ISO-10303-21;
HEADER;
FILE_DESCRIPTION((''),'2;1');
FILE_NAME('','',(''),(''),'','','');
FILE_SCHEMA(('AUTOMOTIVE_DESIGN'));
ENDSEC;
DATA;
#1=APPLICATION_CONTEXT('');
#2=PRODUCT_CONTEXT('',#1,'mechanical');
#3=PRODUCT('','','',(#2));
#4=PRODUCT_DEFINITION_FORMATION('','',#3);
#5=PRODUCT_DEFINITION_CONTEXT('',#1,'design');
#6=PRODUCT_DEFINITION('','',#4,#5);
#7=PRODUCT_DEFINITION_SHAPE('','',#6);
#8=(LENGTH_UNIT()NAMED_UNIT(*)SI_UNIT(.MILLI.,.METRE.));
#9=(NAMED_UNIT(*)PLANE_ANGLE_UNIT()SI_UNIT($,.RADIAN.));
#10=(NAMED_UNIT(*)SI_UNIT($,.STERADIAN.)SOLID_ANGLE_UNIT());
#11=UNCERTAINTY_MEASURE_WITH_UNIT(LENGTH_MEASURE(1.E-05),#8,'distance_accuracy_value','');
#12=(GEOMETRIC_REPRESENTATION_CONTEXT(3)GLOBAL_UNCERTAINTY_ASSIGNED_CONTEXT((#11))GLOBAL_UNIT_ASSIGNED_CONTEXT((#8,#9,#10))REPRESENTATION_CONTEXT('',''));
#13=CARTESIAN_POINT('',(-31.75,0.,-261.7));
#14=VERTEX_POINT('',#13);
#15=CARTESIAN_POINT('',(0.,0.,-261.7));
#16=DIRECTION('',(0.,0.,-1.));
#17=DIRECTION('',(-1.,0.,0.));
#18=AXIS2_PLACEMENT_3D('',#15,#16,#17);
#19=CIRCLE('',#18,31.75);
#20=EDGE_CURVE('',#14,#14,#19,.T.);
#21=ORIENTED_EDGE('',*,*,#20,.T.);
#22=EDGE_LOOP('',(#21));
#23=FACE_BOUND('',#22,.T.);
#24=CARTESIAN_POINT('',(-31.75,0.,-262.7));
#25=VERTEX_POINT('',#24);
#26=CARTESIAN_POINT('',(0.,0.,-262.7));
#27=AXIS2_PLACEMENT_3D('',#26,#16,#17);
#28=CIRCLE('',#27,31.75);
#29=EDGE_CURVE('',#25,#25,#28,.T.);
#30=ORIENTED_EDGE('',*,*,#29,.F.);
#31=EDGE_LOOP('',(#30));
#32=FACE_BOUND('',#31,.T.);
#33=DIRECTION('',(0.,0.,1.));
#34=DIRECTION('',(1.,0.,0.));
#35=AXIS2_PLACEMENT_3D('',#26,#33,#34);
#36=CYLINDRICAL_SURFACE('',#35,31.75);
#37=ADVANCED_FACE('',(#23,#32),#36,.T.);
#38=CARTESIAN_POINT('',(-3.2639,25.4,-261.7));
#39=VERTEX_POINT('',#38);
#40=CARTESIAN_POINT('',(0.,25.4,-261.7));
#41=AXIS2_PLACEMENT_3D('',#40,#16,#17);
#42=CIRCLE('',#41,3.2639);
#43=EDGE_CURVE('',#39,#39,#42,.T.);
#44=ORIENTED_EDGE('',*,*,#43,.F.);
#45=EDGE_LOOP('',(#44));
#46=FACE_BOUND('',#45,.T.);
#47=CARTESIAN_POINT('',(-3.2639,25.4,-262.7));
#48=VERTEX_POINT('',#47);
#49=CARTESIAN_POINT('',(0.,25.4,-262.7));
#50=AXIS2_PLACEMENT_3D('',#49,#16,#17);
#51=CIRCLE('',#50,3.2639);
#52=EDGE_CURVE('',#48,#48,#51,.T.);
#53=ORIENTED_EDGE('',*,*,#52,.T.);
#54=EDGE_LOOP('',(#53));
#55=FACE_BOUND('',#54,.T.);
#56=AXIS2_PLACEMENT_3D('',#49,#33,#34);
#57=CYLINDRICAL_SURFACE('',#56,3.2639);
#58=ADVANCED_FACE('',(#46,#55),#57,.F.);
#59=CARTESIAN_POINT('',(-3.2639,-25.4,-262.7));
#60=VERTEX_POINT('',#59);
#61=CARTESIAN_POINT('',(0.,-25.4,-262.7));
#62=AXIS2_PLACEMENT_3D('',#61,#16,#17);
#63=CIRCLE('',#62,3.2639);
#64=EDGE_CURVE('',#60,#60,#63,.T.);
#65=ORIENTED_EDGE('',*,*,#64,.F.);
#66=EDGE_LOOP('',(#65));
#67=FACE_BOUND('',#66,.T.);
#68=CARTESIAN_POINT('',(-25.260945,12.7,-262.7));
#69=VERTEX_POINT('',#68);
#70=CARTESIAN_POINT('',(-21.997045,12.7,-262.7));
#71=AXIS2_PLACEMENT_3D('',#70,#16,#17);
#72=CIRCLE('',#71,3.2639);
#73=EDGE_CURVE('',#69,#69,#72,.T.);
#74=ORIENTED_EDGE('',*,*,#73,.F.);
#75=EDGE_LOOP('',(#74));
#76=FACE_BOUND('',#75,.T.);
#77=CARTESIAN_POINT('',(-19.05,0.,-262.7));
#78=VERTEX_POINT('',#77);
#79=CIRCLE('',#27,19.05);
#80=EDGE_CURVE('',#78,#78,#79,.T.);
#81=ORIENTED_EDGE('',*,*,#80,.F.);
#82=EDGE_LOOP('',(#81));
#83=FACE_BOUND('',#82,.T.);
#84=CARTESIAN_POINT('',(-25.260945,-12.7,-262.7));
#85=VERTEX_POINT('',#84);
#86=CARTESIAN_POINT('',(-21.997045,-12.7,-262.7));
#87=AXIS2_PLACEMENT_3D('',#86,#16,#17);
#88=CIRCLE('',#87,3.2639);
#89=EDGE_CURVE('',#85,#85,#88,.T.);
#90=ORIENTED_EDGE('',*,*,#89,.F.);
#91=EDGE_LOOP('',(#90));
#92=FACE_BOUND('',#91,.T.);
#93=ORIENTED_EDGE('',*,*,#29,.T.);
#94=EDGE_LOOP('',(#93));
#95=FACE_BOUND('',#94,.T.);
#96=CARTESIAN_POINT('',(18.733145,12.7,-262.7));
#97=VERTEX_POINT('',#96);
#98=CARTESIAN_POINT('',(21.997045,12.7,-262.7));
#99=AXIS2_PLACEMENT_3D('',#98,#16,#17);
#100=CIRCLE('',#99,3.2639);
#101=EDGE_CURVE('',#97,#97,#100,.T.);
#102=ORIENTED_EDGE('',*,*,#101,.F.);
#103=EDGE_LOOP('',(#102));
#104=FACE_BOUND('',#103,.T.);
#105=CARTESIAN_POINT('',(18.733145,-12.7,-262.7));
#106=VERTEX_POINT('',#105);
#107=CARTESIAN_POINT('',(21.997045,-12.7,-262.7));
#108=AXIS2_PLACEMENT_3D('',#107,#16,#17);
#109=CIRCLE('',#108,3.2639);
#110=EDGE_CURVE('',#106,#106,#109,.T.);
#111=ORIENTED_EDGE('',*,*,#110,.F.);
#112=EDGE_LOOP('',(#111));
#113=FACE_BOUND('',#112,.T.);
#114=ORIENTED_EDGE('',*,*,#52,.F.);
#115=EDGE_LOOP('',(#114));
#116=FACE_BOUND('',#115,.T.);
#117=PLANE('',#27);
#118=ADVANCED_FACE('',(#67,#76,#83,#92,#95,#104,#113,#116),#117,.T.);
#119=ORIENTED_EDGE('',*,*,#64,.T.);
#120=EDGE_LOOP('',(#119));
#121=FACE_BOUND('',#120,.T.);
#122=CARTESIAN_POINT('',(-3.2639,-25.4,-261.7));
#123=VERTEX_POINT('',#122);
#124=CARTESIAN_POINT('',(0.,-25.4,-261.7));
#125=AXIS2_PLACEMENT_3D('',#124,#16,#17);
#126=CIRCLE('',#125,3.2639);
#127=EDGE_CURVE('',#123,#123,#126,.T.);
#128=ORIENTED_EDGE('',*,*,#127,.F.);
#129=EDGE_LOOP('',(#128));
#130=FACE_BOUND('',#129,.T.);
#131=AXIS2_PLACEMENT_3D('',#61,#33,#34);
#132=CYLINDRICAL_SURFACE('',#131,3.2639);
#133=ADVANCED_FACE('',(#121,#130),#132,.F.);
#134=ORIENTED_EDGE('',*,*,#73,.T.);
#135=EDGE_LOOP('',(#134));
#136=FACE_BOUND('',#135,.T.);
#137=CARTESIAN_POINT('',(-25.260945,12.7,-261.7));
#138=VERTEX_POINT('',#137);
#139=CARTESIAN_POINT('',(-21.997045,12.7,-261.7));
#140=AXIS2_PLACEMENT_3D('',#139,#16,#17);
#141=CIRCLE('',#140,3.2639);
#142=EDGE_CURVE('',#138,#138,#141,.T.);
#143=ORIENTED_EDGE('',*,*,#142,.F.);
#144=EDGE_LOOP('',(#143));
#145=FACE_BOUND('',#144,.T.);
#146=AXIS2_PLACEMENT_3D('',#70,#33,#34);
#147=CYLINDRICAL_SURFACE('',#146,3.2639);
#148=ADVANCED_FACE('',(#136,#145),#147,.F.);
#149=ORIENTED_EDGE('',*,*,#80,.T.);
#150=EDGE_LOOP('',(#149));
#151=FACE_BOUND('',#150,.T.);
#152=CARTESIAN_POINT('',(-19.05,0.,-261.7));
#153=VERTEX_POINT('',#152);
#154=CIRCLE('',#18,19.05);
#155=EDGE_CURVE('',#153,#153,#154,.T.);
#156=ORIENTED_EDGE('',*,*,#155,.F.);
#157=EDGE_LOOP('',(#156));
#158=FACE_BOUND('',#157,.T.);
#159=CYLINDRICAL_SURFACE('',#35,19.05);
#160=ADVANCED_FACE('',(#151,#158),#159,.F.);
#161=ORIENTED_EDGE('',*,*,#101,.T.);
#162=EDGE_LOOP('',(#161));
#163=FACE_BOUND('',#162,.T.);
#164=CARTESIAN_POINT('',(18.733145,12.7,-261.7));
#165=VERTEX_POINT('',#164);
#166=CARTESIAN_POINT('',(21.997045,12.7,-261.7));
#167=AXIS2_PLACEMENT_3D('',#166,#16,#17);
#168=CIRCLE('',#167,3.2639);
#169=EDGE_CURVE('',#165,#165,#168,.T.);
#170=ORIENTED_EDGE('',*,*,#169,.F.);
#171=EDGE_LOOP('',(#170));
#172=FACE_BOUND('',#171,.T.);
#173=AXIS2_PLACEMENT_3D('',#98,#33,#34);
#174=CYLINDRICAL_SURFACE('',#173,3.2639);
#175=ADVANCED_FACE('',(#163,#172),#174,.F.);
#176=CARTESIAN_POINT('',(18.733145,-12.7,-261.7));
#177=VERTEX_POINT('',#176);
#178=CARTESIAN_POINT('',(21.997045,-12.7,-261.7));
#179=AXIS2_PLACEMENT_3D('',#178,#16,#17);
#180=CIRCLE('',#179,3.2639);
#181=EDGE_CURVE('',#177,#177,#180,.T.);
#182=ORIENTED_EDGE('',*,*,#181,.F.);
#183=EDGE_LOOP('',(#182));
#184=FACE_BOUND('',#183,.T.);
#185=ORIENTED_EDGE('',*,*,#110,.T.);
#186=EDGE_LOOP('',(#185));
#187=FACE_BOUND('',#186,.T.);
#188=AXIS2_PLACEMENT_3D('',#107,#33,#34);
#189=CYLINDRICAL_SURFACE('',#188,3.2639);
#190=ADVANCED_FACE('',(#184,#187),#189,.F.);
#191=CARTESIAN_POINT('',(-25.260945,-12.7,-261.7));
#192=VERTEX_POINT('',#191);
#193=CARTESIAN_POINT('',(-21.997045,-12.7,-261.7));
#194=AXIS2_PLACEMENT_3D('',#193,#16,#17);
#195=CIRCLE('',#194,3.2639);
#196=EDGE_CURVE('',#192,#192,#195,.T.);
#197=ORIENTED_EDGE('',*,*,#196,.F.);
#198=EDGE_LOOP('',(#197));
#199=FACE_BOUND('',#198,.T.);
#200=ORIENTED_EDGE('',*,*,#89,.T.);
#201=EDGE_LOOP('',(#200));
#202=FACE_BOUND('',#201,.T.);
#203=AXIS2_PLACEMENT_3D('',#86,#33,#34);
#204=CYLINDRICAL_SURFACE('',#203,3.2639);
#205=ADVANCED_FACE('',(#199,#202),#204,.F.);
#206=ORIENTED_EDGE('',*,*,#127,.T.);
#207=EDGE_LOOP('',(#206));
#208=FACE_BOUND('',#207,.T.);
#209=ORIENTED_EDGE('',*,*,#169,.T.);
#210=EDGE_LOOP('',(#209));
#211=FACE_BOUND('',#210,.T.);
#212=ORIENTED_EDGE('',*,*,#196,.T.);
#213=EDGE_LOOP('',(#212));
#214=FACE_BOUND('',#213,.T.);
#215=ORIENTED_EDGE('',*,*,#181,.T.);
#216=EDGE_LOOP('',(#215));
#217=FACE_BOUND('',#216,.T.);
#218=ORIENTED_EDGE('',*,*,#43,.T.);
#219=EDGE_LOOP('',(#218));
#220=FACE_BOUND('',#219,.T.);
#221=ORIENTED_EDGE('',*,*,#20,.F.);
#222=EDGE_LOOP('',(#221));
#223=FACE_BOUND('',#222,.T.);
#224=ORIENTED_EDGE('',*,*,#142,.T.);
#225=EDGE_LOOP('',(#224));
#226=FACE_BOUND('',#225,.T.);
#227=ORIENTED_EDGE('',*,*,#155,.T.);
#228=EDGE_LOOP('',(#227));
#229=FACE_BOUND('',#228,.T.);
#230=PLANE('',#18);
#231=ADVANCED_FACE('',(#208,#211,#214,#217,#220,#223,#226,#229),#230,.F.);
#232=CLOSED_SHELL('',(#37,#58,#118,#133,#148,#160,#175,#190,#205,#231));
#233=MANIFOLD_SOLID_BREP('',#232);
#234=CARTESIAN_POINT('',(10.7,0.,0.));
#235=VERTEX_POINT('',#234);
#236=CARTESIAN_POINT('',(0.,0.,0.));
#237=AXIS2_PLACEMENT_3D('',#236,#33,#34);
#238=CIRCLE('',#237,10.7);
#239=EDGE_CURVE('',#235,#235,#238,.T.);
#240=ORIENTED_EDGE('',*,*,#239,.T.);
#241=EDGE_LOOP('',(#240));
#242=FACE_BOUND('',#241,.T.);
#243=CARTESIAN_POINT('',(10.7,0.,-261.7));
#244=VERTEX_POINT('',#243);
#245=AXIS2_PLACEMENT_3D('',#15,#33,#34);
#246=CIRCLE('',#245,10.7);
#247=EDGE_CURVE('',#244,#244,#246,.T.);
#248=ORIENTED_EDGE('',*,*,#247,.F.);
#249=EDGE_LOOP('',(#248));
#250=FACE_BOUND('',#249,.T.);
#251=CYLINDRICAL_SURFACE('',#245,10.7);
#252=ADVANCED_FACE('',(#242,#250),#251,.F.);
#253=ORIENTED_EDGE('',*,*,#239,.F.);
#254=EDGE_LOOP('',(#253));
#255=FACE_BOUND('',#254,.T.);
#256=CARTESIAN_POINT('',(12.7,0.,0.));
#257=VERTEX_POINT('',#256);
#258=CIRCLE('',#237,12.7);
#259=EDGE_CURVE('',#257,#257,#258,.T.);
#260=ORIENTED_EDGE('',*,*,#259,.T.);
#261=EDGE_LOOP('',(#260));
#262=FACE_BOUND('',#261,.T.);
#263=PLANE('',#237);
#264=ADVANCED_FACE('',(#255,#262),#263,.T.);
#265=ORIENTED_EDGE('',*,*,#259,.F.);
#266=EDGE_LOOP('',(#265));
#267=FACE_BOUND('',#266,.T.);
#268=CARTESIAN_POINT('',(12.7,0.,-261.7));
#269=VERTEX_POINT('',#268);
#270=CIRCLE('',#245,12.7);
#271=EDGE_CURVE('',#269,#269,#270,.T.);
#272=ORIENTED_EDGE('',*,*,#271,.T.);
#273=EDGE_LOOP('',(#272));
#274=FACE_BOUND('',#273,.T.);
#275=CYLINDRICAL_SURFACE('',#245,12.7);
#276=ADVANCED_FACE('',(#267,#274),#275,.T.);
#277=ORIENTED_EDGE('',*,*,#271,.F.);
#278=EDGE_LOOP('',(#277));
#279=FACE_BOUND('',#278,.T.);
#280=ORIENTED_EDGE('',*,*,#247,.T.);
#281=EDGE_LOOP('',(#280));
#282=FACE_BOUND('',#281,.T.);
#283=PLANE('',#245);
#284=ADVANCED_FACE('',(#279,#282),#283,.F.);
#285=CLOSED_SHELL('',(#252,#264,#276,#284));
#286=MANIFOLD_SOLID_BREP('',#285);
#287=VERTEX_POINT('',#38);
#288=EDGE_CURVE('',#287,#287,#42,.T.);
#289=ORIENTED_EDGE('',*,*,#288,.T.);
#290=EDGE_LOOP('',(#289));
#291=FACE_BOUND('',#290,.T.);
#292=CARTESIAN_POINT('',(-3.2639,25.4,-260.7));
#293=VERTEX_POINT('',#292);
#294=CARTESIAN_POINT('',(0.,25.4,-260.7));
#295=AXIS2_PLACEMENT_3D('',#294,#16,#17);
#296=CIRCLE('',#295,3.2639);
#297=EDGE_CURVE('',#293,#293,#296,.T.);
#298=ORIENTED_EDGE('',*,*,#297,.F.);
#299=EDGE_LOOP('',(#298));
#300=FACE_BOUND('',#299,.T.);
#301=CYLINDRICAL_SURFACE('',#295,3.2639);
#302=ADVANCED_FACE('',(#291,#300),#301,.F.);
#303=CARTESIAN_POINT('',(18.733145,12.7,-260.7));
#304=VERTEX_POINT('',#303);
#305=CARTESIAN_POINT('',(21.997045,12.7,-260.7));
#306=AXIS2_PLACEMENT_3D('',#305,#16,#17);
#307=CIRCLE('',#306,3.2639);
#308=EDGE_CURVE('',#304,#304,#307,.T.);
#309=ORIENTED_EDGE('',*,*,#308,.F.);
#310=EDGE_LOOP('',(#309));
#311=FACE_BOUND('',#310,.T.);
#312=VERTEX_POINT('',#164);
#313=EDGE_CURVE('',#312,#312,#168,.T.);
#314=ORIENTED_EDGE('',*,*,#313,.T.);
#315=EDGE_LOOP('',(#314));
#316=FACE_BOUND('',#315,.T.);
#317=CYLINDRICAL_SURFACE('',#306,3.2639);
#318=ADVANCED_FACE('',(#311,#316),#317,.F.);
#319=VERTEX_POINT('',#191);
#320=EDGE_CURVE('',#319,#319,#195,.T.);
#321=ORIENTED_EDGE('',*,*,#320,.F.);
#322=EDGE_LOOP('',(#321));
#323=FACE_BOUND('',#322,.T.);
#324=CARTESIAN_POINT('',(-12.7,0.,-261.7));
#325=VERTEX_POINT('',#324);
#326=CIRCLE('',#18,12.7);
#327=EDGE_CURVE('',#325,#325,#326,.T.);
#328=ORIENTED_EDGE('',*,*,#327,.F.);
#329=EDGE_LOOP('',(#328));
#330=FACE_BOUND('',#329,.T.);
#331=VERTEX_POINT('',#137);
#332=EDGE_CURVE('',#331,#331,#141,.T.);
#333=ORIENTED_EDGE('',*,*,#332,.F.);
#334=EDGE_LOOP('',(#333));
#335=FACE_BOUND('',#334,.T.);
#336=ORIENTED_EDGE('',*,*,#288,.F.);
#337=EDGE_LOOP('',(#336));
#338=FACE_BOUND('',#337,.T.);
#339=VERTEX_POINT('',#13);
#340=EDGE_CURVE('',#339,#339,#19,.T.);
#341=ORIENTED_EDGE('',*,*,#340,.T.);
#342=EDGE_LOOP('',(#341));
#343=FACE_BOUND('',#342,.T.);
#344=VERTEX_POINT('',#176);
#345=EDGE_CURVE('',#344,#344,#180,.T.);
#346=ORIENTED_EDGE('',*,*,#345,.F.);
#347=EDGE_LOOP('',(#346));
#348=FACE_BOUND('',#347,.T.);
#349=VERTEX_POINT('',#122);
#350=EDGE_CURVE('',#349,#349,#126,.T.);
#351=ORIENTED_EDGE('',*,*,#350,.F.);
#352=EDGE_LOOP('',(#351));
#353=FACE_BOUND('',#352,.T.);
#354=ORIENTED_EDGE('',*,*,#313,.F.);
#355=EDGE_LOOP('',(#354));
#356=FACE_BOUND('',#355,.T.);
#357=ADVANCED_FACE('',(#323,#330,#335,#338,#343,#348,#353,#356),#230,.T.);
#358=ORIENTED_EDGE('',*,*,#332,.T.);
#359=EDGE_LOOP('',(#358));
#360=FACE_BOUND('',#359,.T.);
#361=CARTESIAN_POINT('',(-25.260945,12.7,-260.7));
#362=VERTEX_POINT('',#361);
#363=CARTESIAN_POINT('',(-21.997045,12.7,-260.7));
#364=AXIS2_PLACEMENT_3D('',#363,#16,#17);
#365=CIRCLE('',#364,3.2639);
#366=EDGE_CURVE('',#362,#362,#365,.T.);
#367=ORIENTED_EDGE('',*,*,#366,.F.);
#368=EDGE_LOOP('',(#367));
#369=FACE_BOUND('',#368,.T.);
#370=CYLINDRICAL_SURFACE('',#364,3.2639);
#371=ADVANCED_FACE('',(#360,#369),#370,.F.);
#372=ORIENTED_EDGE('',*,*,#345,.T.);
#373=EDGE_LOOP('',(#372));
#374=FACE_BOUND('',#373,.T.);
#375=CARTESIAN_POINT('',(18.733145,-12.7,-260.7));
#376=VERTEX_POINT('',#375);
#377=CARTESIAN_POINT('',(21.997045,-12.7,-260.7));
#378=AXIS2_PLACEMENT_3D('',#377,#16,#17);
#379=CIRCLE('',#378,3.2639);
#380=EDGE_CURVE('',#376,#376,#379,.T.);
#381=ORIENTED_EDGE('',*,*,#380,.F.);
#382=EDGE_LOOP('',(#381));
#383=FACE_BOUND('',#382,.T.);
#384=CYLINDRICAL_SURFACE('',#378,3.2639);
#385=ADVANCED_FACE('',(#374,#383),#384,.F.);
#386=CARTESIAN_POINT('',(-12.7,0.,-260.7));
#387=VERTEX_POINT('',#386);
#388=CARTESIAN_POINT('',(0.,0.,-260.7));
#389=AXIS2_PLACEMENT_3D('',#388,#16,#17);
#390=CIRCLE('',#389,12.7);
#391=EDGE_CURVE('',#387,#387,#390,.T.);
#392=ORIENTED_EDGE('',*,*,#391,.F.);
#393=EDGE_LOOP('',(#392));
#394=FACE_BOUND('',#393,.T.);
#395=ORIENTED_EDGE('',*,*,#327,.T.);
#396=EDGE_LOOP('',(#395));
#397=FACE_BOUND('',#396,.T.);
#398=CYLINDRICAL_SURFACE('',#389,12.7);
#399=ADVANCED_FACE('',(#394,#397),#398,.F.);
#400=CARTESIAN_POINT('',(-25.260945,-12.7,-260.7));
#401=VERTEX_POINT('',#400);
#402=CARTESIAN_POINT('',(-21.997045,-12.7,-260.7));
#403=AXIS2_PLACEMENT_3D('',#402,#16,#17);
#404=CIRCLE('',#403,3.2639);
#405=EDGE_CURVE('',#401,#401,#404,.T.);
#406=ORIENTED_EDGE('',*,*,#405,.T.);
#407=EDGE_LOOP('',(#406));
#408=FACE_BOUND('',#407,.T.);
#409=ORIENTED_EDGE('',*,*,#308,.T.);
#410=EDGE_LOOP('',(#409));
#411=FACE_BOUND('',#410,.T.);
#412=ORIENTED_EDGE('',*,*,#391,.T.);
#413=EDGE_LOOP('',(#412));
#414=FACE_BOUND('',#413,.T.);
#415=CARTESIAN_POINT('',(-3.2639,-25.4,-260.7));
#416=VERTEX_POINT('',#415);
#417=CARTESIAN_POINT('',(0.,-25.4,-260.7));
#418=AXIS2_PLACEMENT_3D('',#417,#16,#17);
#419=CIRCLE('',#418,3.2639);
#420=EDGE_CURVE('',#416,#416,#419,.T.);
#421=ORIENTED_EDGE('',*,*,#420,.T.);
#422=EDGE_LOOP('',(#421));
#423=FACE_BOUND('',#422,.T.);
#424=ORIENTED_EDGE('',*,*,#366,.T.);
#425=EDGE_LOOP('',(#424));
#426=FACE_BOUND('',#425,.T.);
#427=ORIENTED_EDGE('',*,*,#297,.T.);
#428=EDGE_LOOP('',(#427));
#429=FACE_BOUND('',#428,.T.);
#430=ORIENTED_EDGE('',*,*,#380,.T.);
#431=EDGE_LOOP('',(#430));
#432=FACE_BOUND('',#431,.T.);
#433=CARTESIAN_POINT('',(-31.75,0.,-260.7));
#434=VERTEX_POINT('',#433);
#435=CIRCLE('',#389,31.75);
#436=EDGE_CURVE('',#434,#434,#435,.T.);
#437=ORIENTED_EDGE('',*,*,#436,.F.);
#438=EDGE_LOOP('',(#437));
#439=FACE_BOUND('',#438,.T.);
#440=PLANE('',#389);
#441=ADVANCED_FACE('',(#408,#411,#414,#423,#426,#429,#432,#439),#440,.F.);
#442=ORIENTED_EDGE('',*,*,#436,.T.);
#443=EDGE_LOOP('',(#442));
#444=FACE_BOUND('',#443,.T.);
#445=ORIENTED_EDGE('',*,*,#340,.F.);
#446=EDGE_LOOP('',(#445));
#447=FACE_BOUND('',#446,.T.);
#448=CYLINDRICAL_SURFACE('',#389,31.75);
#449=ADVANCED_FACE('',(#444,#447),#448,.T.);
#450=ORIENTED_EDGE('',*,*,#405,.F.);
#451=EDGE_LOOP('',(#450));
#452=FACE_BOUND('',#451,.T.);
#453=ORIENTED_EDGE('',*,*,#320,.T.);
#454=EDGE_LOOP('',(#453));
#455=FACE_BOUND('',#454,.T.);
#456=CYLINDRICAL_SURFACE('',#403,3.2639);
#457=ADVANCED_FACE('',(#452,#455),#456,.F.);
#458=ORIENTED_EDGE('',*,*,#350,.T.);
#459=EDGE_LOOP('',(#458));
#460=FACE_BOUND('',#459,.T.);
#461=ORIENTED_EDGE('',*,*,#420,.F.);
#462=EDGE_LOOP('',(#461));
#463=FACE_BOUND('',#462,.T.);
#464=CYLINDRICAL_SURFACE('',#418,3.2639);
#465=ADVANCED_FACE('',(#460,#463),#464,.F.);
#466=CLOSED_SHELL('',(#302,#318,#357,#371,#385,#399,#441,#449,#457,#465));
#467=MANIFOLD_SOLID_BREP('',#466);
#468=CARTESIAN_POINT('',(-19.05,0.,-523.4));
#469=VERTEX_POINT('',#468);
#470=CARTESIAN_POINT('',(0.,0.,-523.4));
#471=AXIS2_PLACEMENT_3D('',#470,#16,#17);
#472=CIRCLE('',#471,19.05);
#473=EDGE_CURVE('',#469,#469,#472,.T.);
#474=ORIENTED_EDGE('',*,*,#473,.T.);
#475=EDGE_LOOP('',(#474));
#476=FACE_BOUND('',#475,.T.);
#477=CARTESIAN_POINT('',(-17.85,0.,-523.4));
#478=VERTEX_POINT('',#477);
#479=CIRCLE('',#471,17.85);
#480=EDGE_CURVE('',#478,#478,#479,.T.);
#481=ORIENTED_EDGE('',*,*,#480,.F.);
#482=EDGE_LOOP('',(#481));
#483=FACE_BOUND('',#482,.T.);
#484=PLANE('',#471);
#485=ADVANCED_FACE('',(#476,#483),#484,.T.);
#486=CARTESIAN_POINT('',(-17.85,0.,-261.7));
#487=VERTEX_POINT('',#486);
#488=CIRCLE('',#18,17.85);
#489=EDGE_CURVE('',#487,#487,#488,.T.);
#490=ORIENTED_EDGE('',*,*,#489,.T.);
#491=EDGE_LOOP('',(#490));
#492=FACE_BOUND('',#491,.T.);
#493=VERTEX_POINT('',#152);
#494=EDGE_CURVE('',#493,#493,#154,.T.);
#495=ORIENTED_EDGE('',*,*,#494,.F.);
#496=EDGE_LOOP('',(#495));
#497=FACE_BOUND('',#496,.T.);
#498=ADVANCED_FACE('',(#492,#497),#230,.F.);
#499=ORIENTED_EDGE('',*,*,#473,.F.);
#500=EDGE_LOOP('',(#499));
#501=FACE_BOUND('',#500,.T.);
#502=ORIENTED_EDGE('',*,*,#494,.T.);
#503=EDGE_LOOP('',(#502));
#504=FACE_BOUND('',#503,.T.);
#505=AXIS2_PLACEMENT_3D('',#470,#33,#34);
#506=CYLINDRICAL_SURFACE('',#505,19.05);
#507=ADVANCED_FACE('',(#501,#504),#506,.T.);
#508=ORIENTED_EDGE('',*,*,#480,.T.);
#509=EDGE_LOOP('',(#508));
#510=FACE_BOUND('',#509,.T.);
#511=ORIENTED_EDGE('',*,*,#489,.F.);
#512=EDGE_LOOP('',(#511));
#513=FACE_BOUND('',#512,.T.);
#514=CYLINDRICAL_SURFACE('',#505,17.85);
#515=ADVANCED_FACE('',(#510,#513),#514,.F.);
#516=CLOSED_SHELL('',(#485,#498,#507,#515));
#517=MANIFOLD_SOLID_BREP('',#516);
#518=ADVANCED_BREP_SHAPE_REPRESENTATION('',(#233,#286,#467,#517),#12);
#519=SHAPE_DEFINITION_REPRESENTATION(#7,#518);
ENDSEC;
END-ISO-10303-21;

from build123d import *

# Parameters (mm, degrees)
SKETCH1_R                     = 12.7
SKETCH1_R_2                   = 10.7
BOSS_EXTRUDEINNERTUBE_DEPTH   = 261.7
SKETCH2_R                     = 31.75
SKETCH2_R_2                   = 12.7
SKETCH2_R_3                   = 3.2639
BOSS_EXTRUDEFRONTFLANGE_DEPTH = 1
SKETCH3_R                     = 19.05
SKETCH3_R_2                   = 17.85
BOSS_EXTRUDEOUTERTUBE_DEPTH   = 261.7
SKETCH4_R                     = 31.75
SKETCH4_R_2                   = 3.2639
SKETCH4_R_3                   = 19.05
BOSS_EXTRUDEREARFLANGE_DEPTH  = 1


with BuildPart() as part:
    # Sketch1 → Boss-ExtrudeInnerTube (new body)
    with BuildSketch(Plane.XY):
        Circle(SKETCH1_R)
        Circle(SKETCH1_R_2, mode=Mode.SUBTRACT)
    extrude(amount=-BOSS_EXTRUDEINNERTUBE_DEPTH)


with BuildPart() as body_2:
    # Sketch2 → Boss-ExtrudeFrontFlange (new body)
    with BuildSketch(Plane(origin=(0, 0, -261.7), x_dir=(-1, 0, 0), z_dir=(0, 0, -1))):
        Circle(SKETCH2_R)
        Circle(SKETCH2_R_2, mode=Mode.SUBTRACT)
        with Locations((0, 25.4)):
            Circle(SKETCH2_R_3, mode=Mode.SUBTRACT)
        with Locations((21.997045256, 12.7)):
            Circle(SKETCH2_R_3, mode=Mode.SUBTRACT)
        with Locations((21.997045256, -12.7)):
            Circle(SKETCH2_R_3, mode=Mode.SUBTRACT)
        with Locations((0, -25.4)):
            Circle(SKETCH2_R_3, mode=Mode.SUBTRACT)
        with Locations((-21.997045256, -12.7)):
            Circle(SKETCH2_R_3, mode=Mode.SUBTRACT)
        with Locations((-21.997045256, 12.7)):
            Circle(SKETCH2_R_3, mode=Mode.SUBTRACT)
    extrude(amount=-BOSS_EXTRUDEFRONTFLANGE_DEPTH)


with BuildPart() as body_3:
    # Sketch3 → Boss-ExtrudeOuterTube (new body)
    with BuildSketch(Plane(origin=(0, 0, -261.7), x_dir=(-1, 0, 0), z_dir=(0, 0, -1))):
        Circle(SKETCH3_R)
        Circle(SKETCH3_R_2, mode=Mode.SUBTRACT)
    extrude(amount=BOSS_EXTRUDEOUTERTUBE_DEPTH)


with BuildPart() as body_4:
    # Sketch4 → Boss-ExtrudeRearFlange (new body)
    with BuildSketch(Plane(origin=(0, 0, -261.7), x_dir=(-1, 0, 0), z_dir=(0, 0, -1))):
        Circle(SKETCH4_R)
        with Locations((-21.997045256, 12.7)):
            Circle(SKETCH4_R_2, mode=Mode.SUBTRACT)
        with Locations((0, 25.4)):
            Circle(SKETCH4_R_2, mode=Mode.SUBTRACT)
        with Locations((-21.997045256, -12.7)):
            Circle(SKETCH4_R_2, mode=Mode.SUBTRACT)
        with Locations((21.997045256, 12.7)):
            Circle(SKETCH4_R_2, mode=Mode.SUBTRACT)
        with Locations((21.997045256, -12.7)):
            Circle(SKETCH4_R_2, mode=Mode.SUBTRACT)
        with Locations((0, -25.4)):
            Circle(SKETCH4_R_2, mode=Mode.SUBTRACT)
        Circle(SKETCH4_R_3, mode=Mode.SUBTRACT)
    extrude(amount=BOSS_EXTRUDEREARFLANGE_DEPTH)


solid = Compound([part.part, body_2.part, body_3.part, body_4.part])
